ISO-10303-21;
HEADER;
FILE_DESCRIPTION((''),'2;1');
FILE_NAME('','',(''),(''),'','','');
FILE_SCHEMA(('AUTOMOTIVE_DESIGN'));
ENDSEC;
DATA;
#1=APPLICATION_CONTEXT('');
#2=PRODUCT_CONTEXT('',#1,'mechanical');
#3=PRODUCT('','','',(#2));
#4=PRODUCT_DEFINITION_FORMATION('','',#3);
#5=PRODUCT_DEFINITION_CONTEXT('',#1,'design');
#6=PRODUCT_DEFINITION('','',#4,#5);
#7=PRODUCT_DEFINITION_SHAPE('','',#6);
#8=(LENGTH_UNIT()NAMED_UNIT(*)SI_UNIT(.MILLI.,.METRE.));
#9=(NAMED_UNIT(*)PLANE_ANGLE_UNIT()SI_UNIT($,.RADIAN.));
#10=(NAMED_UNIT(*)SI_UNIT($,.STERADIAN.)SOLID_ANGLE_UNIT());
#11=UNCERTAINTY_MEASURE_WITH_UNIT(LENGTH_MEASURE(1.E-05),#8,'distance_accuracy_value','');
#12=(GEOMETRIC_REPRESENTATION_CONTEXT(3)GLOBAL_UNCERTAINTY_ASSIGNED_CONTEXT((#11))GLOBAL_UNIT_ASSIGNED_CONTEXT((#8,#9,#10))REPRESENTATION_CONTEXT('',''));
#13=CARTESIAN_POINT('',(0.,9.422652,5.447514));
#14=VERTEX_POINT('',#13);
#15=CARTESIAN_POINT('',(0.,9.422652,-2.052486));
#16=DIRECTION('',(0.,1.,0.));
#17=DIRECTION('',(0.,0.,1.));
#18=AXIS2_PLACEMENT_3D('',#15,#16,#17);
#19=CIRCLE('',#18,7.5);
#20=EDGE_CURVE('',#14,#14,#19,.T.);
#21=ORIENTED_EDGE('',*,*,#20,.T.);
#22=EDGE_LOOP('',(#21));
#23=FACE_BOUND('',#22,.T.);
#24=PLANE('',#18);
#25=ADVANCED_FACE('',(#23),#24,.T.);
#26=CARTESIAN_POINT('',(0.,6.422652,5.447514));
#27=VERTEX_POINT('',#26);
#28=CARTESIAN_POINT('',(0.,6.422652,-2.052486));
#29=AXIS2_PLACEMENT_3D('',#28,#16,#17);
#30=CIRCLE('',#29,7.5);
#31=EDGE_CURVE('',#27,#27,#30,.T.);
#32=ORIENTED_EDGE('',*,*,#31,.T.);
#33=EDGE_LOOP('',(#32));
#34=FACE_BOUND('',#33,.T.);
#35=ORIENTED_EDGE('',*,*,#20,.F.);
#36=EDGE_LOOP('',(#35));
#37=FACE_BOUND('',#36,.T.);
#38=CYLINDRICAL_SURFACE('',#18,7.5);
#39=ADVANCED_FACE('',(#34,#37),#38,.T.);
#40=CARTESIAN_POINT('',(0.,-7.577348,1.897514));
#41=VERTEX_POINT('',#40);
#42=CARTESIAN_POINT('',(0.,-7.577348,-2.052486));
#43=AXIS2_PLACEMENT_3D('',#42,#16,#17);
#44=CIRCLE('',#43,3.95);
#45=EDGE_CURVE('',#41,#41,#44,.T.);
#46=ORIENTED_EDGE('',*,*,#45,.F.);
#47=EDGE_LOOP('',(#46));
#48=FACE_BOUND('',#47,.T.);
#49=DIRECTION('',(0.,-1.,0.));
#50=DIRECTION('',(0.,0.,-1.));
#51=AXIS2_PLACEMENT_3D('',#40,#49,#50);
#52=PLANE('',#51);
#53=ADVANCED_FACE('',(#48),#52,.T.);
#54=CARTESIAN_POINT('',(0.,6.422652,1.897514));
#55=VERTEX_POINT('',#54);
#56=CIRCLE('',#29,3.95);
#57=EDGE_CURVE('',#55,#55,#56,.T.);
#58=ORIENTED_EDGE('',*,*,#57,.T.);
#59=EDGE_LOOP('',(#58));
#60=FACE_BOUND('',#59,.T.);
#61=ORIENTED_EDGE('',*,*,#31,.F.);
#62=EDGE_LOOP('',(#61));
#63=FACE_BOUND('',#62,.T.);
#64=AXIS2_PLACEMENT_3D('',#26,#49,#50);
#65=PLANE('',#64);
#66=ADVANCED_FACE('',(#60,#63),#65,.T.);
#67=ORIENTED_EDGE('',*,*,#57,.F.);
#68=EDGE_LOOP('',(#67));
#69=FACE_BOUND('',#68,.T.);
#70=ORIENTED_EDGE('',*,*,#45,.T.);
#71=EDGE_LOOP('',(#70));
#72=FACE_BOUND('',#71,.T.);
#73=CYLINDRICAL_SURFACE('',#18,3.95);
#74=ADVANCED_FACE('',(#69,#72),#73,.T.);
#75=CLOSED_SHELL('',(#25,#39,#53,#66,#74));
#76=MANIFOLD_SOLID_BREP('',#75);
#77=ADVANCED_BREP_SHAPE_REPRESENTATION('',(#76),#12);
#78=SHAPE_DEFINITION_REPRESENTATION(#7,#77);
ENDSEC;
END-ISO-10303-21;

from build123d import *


with BuildPart() as part:
    # Sketch2 → Revolve1 (revolve)
    with BuildSketch(Plane(origin=(0, 0, 0), x_dir=(0, 0, -1), z_dir=(1, 0, 0))):
        Polygon((2.052486188, 9.422651934), (-5.447513812, 9.422651934), (-5.447513812, 6.422651934), (-1.897513812, 6.422651934), (-1.897513812, -7.577348066), (2.052486188, -7.577348066), align=None)
    revolve(axis=Axis((0, 9.422651934, -2.052486188), (0, -1, 0)))


solid = part.part
